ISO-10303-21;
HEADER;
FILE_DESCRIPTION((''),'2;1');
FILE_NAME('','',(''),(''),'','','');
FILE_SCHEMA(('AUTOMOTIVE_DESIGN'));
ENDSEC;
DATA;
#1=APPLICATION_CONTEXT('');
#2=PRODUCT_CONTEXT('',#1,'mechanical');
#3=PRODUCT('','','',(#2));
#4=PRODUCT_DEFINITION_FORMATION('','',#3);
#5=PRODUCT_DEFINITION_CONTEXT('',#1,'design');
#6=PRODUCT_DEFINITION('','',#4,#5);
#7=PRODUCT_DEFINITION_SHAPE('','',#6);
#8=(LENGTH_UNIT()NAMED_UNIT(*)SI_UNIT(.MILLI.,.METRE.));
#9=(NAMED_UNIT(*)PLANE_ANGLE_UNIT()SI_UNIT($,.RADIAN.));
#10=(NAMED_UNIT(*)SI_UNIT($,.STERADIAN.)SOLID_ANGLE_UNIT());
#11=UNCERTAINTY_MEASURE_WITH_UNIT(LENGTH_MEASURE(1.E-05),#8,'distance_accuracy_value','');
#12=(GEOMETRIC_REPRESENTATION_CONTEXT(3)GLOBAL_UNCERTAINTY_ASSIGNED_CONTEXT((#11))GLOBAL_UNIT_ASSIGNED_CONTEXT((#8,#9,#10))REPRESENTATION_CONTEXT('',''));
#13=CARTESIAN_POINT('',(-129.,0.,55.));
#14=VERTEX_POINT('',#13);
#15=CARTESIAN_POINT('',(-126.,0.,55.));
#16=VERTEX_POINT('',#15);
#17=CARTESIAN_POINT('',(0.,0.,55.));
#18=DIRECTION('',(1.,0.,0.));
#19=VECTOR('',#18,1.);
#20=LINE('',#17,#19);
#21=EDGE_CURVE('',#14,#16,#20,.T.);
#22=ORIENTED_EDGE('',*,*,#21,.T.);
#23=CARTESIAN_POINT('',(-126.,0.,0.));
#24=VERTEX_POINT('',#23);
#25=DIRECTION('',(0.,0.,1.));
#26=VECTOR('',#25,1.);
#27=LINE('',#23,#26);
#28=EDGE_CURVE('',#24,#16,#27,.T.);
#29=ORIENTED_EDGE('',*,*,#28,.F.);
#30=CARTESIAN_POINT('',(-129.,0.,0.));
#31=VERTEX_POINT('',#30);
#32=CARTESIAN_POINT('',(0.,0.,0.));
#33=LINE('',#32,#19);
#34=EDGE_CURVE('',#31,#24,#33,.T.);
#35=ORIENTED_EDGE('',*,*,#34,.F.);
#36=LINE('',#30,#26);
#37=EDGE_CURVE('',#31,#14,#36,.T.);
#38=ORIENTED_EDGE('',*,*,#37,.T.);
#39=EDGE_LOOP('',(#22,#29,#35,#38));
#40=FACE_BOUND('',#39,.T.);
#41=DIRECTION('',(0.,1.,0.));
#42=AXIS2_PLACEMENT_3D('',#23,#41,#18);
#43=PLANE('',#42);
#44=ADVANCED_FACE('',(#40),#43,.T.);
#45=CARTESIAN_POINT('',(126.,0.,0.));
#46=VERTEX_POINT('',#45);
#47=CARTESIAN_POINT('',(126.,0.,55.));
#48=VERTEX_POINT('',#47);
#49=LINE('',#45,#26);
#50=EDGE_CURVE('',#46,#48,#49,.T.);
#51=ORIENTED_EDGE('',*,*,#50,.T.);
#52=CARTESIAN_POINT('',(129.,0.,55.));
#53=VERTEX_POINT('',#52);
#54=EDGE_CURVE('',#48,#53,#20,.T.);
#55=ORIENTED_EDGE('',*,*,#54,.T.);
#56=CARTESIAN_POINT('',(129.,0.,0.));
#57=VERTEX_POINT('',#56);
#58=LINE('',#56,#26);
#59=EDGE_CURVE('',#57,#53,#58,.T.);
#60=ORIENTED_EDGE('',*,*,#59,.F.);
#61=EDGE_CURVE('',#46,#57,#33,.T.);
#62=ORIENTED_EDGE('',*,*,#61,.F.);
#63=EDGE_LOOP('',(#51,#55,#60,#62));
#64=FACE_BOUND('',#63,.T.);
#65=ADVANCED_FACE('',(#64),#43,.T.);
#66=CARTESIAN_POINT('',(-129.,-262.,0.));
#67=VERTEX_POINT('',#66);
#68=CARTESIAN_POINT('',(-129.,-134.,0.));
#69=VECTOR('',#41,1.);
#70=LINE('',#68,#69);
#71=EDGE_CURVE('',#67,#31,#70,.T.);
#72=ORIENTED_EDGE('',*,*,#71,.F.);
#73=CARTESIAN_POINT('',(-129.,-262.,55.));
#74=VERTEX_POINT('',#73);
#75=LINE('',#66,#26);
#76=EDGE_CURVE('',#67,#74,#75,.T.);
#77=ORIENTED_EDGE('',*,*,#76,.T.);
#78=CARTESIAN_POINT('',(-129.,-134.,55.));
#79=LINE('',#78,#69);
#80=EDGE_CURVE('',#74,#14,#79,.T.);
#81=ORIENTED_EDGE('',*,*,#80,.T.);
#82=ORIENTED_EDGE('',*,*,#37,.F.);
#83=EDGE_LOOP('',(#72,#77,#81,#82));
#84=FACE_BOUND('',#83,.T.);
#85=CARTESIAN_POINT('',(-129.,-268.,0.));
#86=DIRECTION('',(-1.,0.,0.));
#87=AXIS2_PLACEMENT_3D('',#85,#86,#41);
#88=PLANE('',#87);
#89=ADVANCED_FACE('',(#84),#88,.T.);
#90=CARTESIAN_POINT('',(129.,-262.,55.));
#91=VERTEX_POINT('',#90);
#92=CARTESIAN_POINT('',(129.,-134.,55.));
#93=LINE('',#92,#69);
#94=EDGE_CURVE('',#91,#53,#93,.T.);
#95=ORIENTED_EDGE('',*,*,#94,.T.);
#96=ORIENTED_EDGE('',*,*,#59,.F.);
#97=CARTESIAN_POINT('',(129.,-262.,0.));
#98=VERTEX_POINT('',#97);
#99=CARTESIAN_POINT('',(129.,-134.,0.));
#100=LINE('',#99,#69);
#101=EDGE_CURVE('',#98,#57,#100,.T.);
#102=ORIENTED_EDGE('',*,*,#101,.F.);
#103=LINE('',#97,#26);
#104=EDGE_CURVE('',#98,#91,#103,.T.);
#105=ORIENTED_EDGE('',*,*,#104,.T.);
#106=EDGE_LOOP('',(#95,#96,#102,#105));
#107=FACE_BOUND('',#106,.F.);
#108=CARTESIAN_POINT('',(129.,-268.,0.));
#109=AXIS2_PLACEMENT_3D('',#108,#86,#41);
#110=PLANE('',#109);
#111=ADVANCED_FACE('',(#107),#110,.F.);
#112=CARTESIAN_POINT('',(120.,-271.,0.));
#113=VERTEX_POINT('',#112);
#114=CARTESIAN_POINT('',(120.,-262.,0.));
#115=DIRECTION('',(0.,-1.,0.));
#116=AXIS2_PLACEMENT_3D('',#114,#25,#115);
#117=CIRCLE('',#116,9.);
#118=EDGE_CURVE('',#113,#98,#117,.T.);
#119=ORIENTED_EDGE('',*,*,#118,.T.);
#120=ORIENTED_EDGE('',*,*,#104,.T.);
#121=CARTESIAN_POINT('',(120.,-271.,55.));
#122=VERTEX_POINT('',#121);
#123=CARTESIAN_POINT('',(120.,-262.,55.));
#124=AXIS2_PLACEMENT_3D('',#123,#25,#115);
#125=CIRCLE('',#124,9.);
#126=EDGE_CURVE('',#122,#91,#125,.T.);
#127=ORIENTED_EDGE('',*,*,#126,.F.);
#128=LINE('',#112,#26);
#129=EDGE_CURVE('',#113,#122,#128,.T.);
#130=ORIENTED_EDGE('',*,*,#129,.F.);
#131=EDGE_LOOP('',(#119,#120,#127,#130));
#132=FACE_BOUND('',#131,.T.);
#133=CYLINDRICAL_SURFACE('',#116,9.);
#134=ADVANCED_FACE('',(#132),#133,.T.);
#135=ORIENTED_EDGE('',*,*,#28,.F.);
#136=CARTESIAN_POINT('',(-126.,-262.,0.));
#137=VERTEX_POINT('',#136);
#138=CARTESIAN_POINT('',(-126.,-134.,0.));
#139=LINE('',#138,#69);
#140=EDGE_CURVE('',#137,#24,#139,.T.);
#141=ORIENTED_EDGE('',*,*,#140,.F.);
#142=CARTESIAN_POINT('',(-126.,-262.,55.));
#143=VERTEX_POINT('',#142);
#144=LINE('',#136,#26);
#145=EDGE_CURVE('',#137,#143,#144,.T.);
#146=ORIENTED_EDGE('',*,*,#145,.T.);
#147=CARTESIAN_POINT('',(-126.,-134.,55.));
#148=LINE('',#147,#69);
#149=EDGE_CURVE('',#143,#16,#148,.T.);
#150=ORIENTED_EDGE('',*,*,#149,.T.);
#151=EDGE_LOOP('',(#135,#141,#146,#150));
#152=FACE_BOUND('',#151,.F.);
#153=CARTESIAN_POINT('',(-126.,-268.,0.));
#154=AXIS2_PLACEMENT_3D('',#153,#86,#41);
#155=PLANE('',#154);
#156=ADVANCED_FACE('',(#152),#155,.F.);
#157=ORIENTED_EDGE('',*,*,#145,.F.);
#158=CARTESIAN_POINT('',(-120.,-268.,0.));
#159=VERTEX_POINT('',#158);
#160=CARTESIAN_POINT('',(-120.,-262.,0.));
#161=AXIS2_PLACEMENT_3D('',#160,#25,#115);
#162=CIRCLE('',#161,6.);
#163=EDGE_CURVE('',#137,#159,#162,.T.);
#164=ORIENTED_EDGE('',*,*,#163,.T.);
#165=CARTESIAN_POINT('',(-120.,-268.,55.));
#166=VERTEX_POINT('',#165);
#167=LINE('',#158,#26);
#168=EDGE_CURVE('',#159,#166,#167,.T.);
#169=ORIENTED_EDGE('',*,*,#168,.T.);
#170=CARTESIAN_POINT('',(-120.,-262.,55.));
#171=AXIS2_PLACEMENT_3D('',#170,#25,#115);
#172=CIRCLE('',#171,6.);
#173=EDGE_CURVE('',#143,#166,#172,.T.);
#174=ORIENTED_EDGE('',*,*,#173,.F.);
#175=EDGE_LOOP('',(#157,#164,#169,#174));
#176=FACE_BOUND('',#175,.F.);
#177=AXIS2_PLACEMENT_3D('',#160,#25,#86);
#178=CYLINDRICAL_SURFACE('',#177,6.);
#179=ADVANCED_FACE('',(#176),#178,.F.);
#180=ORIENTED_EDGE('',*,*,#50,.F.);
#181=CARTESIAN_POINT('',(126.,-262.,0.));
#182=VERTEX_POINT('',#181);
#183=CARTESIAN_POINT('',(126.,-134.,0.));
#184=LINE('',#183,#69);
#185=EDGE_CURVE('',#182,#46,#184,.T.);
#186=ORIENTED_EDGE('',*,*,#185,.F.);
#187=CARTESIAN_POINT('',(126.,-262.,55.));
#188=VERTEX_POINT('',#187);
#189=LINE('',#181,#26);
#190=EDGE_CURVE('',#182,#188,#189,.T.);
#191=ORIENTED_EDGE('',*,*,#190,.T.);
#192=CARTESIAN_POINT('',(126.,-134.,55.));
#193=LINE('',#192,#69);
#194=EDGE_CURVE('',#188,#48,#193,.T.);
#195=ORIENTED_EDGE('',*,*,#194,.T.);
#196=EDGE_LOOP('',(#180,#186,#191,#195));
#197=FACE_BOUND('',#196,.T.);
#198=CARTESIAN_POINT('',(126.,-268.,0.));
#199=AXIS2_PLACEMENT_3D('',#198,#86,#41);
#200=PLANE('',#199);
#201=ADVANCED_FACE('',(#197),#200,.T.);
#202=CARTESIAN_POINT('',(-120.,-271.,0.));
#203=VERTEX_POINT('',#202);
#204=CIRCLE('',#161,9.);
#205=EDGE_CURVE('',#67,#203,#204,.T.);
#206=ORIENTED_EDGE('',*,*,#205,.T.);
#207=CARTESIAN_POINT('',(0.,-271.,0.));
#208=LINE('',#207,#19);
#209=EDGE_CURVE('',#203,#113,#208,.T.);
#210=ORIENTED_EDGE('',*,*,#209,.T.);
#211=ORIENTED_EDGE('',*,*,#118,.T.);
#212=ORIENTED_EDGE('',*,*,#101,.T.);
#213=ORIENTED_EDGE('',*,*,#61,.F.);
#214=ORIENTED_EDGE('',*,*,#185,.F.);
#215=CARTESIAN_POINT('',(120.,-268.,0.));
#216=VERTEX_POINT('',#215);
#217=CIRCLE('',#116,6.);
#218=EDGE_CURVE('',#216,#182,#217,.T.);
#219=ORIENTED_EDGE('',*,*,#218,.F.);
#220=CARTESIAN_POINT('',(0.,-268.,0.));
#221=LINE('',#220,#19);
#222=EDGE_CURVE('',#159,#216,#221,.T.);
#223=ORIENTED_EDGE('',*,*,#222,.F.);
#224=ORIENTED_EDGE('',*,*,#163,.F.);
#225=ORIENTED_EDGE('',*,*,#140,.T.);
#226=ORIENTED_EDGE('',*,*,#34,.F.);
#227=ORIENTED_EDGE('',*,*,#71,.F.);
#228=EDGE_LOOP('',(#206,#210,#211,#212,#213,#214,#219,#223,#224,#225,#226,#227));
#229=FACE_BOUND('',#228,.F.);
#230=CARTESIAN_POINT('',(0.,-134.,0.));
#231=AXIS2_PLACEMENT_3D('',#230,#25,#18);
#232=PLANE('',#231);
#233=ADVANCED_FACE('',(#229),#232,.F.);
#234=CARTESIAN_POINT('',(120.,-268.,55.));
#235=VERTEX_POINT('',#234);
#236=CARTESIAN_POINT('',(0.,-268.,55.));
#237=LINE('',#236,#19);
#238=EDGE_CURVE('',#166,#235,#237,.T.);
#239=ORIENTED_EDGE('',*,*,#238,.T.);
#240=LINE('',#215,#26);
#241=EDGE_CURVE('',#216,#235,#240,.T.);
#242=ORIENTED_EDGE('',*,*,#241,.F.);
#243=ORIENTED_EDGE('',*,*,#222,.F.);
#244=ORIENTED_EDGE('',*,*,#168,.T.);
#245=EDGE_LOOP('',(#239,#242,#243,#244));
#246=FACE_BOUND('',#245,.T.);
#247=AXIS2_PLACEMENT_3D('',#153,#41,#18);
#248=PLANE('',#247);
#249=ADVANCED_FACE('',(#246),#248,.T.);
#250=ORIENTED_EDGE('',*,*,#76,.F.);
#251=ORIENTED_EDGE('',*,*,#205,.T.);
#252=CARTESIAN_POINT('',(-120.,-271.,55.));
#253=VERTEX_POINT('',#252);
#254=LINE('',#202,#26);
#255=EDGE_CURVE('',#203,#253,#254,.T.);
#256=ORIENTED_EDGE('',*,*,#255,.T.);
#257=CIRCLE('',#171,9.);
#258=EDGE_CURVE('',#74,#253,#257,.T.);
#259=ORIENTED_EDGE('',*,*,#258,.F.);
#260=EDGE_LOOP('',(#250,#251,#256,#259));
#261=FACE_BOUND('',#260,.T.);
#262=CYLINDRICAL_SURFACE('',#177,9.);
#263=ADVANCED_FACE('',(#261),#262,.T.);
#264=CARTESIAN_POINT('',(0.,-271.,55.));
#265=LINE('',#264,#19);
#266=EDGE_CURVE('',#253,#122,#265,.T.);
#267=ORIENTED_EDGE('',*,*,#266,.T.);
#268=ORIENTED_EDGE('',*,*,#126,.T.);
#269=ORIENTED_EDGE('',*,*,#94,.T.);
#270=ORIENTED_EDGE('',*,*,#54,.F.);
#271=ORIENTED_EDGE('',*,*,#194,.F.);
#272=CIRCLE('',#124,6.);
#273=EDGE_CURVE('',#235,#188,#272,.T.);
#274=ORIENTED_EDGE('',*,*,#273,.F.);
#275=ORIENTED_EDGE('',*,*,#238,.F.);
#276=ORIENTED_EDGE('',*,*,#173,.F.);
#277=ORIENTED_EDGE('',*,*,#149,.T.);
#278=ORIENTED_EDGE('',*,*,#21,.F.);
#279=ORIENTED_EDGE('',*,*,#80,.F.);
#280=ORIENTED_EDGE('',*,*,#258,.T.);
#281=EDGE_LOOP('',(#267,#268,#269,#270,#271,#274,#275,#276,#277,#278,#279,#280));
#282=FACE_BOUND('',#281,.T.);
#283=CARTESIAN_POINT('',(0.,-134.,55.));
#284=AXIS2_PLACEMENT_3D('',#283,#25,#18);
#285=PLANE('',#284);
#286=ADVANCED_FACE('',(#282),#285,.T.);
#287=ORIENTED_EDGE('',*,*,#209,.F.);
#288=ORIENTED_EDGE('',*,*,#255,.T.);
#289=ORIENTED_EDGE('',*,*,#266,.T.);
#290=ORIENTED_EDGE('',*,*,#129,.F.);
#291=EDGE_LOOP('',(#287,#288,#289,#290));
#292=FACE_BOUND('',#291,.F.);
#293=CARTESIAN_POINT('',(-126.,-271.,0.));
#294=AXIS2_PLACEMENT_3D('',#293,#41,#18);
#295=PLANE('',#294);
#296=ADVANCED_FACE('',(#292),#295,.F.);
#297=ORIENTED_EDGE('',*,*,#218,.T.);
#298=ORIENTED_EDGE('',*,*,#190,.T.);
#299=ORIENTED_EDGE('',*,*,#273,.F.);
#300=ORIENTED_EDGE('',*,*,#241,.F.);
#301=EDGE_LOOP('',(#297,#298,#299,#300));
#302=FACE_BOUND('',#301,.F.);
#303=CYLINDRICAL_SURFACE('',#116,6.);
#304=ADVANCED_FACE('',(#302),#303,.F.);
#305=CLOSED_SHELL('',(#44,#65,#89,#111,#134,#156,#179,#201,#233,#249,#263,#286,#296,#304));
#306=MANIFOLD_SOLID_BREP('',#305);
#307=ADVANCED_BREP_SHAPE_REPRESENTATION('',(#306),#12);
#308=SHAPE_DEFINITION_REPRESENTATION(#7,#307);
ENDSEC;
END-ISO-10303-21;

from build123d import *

# Parameters (mm, degrees)
SKETCH040_W    = 252
SKETCH040_H    = 268
PAD011_DEPTH   = 55
FILLET013_R    = 6
THICKNESS001_T = 3


with BuildPart() as part:
    # Sketch040 → Pad011 (new body)
    with BuildSketch(Plane.XY):
        with Locations((0, -134)):
            Rectangle(SKETCH040_W, SKETCH040_H)
    extrude(amount=PAD011_DEPTH)

    # Fillet013
    fillet013_edges = [part.edges().sort_by_distance(p)[0] for p in [
        (126, -268, 27.5),
        (-126, -268, 27.5),
    ]]
    fillet(fillet013_edges, radius=FILLET013_R)

    # Thickness001
    thickness001_openings = [part.faces().sort_by_distance(p)[0] for p in [
        (0, -133.969642, 55),
        (0, -133.969642, 0),
        (0, 0, 27.5),
    ]]
    offset(amount=THICKNESS001_T, openings=thickness001_openings)


solid = part.part
